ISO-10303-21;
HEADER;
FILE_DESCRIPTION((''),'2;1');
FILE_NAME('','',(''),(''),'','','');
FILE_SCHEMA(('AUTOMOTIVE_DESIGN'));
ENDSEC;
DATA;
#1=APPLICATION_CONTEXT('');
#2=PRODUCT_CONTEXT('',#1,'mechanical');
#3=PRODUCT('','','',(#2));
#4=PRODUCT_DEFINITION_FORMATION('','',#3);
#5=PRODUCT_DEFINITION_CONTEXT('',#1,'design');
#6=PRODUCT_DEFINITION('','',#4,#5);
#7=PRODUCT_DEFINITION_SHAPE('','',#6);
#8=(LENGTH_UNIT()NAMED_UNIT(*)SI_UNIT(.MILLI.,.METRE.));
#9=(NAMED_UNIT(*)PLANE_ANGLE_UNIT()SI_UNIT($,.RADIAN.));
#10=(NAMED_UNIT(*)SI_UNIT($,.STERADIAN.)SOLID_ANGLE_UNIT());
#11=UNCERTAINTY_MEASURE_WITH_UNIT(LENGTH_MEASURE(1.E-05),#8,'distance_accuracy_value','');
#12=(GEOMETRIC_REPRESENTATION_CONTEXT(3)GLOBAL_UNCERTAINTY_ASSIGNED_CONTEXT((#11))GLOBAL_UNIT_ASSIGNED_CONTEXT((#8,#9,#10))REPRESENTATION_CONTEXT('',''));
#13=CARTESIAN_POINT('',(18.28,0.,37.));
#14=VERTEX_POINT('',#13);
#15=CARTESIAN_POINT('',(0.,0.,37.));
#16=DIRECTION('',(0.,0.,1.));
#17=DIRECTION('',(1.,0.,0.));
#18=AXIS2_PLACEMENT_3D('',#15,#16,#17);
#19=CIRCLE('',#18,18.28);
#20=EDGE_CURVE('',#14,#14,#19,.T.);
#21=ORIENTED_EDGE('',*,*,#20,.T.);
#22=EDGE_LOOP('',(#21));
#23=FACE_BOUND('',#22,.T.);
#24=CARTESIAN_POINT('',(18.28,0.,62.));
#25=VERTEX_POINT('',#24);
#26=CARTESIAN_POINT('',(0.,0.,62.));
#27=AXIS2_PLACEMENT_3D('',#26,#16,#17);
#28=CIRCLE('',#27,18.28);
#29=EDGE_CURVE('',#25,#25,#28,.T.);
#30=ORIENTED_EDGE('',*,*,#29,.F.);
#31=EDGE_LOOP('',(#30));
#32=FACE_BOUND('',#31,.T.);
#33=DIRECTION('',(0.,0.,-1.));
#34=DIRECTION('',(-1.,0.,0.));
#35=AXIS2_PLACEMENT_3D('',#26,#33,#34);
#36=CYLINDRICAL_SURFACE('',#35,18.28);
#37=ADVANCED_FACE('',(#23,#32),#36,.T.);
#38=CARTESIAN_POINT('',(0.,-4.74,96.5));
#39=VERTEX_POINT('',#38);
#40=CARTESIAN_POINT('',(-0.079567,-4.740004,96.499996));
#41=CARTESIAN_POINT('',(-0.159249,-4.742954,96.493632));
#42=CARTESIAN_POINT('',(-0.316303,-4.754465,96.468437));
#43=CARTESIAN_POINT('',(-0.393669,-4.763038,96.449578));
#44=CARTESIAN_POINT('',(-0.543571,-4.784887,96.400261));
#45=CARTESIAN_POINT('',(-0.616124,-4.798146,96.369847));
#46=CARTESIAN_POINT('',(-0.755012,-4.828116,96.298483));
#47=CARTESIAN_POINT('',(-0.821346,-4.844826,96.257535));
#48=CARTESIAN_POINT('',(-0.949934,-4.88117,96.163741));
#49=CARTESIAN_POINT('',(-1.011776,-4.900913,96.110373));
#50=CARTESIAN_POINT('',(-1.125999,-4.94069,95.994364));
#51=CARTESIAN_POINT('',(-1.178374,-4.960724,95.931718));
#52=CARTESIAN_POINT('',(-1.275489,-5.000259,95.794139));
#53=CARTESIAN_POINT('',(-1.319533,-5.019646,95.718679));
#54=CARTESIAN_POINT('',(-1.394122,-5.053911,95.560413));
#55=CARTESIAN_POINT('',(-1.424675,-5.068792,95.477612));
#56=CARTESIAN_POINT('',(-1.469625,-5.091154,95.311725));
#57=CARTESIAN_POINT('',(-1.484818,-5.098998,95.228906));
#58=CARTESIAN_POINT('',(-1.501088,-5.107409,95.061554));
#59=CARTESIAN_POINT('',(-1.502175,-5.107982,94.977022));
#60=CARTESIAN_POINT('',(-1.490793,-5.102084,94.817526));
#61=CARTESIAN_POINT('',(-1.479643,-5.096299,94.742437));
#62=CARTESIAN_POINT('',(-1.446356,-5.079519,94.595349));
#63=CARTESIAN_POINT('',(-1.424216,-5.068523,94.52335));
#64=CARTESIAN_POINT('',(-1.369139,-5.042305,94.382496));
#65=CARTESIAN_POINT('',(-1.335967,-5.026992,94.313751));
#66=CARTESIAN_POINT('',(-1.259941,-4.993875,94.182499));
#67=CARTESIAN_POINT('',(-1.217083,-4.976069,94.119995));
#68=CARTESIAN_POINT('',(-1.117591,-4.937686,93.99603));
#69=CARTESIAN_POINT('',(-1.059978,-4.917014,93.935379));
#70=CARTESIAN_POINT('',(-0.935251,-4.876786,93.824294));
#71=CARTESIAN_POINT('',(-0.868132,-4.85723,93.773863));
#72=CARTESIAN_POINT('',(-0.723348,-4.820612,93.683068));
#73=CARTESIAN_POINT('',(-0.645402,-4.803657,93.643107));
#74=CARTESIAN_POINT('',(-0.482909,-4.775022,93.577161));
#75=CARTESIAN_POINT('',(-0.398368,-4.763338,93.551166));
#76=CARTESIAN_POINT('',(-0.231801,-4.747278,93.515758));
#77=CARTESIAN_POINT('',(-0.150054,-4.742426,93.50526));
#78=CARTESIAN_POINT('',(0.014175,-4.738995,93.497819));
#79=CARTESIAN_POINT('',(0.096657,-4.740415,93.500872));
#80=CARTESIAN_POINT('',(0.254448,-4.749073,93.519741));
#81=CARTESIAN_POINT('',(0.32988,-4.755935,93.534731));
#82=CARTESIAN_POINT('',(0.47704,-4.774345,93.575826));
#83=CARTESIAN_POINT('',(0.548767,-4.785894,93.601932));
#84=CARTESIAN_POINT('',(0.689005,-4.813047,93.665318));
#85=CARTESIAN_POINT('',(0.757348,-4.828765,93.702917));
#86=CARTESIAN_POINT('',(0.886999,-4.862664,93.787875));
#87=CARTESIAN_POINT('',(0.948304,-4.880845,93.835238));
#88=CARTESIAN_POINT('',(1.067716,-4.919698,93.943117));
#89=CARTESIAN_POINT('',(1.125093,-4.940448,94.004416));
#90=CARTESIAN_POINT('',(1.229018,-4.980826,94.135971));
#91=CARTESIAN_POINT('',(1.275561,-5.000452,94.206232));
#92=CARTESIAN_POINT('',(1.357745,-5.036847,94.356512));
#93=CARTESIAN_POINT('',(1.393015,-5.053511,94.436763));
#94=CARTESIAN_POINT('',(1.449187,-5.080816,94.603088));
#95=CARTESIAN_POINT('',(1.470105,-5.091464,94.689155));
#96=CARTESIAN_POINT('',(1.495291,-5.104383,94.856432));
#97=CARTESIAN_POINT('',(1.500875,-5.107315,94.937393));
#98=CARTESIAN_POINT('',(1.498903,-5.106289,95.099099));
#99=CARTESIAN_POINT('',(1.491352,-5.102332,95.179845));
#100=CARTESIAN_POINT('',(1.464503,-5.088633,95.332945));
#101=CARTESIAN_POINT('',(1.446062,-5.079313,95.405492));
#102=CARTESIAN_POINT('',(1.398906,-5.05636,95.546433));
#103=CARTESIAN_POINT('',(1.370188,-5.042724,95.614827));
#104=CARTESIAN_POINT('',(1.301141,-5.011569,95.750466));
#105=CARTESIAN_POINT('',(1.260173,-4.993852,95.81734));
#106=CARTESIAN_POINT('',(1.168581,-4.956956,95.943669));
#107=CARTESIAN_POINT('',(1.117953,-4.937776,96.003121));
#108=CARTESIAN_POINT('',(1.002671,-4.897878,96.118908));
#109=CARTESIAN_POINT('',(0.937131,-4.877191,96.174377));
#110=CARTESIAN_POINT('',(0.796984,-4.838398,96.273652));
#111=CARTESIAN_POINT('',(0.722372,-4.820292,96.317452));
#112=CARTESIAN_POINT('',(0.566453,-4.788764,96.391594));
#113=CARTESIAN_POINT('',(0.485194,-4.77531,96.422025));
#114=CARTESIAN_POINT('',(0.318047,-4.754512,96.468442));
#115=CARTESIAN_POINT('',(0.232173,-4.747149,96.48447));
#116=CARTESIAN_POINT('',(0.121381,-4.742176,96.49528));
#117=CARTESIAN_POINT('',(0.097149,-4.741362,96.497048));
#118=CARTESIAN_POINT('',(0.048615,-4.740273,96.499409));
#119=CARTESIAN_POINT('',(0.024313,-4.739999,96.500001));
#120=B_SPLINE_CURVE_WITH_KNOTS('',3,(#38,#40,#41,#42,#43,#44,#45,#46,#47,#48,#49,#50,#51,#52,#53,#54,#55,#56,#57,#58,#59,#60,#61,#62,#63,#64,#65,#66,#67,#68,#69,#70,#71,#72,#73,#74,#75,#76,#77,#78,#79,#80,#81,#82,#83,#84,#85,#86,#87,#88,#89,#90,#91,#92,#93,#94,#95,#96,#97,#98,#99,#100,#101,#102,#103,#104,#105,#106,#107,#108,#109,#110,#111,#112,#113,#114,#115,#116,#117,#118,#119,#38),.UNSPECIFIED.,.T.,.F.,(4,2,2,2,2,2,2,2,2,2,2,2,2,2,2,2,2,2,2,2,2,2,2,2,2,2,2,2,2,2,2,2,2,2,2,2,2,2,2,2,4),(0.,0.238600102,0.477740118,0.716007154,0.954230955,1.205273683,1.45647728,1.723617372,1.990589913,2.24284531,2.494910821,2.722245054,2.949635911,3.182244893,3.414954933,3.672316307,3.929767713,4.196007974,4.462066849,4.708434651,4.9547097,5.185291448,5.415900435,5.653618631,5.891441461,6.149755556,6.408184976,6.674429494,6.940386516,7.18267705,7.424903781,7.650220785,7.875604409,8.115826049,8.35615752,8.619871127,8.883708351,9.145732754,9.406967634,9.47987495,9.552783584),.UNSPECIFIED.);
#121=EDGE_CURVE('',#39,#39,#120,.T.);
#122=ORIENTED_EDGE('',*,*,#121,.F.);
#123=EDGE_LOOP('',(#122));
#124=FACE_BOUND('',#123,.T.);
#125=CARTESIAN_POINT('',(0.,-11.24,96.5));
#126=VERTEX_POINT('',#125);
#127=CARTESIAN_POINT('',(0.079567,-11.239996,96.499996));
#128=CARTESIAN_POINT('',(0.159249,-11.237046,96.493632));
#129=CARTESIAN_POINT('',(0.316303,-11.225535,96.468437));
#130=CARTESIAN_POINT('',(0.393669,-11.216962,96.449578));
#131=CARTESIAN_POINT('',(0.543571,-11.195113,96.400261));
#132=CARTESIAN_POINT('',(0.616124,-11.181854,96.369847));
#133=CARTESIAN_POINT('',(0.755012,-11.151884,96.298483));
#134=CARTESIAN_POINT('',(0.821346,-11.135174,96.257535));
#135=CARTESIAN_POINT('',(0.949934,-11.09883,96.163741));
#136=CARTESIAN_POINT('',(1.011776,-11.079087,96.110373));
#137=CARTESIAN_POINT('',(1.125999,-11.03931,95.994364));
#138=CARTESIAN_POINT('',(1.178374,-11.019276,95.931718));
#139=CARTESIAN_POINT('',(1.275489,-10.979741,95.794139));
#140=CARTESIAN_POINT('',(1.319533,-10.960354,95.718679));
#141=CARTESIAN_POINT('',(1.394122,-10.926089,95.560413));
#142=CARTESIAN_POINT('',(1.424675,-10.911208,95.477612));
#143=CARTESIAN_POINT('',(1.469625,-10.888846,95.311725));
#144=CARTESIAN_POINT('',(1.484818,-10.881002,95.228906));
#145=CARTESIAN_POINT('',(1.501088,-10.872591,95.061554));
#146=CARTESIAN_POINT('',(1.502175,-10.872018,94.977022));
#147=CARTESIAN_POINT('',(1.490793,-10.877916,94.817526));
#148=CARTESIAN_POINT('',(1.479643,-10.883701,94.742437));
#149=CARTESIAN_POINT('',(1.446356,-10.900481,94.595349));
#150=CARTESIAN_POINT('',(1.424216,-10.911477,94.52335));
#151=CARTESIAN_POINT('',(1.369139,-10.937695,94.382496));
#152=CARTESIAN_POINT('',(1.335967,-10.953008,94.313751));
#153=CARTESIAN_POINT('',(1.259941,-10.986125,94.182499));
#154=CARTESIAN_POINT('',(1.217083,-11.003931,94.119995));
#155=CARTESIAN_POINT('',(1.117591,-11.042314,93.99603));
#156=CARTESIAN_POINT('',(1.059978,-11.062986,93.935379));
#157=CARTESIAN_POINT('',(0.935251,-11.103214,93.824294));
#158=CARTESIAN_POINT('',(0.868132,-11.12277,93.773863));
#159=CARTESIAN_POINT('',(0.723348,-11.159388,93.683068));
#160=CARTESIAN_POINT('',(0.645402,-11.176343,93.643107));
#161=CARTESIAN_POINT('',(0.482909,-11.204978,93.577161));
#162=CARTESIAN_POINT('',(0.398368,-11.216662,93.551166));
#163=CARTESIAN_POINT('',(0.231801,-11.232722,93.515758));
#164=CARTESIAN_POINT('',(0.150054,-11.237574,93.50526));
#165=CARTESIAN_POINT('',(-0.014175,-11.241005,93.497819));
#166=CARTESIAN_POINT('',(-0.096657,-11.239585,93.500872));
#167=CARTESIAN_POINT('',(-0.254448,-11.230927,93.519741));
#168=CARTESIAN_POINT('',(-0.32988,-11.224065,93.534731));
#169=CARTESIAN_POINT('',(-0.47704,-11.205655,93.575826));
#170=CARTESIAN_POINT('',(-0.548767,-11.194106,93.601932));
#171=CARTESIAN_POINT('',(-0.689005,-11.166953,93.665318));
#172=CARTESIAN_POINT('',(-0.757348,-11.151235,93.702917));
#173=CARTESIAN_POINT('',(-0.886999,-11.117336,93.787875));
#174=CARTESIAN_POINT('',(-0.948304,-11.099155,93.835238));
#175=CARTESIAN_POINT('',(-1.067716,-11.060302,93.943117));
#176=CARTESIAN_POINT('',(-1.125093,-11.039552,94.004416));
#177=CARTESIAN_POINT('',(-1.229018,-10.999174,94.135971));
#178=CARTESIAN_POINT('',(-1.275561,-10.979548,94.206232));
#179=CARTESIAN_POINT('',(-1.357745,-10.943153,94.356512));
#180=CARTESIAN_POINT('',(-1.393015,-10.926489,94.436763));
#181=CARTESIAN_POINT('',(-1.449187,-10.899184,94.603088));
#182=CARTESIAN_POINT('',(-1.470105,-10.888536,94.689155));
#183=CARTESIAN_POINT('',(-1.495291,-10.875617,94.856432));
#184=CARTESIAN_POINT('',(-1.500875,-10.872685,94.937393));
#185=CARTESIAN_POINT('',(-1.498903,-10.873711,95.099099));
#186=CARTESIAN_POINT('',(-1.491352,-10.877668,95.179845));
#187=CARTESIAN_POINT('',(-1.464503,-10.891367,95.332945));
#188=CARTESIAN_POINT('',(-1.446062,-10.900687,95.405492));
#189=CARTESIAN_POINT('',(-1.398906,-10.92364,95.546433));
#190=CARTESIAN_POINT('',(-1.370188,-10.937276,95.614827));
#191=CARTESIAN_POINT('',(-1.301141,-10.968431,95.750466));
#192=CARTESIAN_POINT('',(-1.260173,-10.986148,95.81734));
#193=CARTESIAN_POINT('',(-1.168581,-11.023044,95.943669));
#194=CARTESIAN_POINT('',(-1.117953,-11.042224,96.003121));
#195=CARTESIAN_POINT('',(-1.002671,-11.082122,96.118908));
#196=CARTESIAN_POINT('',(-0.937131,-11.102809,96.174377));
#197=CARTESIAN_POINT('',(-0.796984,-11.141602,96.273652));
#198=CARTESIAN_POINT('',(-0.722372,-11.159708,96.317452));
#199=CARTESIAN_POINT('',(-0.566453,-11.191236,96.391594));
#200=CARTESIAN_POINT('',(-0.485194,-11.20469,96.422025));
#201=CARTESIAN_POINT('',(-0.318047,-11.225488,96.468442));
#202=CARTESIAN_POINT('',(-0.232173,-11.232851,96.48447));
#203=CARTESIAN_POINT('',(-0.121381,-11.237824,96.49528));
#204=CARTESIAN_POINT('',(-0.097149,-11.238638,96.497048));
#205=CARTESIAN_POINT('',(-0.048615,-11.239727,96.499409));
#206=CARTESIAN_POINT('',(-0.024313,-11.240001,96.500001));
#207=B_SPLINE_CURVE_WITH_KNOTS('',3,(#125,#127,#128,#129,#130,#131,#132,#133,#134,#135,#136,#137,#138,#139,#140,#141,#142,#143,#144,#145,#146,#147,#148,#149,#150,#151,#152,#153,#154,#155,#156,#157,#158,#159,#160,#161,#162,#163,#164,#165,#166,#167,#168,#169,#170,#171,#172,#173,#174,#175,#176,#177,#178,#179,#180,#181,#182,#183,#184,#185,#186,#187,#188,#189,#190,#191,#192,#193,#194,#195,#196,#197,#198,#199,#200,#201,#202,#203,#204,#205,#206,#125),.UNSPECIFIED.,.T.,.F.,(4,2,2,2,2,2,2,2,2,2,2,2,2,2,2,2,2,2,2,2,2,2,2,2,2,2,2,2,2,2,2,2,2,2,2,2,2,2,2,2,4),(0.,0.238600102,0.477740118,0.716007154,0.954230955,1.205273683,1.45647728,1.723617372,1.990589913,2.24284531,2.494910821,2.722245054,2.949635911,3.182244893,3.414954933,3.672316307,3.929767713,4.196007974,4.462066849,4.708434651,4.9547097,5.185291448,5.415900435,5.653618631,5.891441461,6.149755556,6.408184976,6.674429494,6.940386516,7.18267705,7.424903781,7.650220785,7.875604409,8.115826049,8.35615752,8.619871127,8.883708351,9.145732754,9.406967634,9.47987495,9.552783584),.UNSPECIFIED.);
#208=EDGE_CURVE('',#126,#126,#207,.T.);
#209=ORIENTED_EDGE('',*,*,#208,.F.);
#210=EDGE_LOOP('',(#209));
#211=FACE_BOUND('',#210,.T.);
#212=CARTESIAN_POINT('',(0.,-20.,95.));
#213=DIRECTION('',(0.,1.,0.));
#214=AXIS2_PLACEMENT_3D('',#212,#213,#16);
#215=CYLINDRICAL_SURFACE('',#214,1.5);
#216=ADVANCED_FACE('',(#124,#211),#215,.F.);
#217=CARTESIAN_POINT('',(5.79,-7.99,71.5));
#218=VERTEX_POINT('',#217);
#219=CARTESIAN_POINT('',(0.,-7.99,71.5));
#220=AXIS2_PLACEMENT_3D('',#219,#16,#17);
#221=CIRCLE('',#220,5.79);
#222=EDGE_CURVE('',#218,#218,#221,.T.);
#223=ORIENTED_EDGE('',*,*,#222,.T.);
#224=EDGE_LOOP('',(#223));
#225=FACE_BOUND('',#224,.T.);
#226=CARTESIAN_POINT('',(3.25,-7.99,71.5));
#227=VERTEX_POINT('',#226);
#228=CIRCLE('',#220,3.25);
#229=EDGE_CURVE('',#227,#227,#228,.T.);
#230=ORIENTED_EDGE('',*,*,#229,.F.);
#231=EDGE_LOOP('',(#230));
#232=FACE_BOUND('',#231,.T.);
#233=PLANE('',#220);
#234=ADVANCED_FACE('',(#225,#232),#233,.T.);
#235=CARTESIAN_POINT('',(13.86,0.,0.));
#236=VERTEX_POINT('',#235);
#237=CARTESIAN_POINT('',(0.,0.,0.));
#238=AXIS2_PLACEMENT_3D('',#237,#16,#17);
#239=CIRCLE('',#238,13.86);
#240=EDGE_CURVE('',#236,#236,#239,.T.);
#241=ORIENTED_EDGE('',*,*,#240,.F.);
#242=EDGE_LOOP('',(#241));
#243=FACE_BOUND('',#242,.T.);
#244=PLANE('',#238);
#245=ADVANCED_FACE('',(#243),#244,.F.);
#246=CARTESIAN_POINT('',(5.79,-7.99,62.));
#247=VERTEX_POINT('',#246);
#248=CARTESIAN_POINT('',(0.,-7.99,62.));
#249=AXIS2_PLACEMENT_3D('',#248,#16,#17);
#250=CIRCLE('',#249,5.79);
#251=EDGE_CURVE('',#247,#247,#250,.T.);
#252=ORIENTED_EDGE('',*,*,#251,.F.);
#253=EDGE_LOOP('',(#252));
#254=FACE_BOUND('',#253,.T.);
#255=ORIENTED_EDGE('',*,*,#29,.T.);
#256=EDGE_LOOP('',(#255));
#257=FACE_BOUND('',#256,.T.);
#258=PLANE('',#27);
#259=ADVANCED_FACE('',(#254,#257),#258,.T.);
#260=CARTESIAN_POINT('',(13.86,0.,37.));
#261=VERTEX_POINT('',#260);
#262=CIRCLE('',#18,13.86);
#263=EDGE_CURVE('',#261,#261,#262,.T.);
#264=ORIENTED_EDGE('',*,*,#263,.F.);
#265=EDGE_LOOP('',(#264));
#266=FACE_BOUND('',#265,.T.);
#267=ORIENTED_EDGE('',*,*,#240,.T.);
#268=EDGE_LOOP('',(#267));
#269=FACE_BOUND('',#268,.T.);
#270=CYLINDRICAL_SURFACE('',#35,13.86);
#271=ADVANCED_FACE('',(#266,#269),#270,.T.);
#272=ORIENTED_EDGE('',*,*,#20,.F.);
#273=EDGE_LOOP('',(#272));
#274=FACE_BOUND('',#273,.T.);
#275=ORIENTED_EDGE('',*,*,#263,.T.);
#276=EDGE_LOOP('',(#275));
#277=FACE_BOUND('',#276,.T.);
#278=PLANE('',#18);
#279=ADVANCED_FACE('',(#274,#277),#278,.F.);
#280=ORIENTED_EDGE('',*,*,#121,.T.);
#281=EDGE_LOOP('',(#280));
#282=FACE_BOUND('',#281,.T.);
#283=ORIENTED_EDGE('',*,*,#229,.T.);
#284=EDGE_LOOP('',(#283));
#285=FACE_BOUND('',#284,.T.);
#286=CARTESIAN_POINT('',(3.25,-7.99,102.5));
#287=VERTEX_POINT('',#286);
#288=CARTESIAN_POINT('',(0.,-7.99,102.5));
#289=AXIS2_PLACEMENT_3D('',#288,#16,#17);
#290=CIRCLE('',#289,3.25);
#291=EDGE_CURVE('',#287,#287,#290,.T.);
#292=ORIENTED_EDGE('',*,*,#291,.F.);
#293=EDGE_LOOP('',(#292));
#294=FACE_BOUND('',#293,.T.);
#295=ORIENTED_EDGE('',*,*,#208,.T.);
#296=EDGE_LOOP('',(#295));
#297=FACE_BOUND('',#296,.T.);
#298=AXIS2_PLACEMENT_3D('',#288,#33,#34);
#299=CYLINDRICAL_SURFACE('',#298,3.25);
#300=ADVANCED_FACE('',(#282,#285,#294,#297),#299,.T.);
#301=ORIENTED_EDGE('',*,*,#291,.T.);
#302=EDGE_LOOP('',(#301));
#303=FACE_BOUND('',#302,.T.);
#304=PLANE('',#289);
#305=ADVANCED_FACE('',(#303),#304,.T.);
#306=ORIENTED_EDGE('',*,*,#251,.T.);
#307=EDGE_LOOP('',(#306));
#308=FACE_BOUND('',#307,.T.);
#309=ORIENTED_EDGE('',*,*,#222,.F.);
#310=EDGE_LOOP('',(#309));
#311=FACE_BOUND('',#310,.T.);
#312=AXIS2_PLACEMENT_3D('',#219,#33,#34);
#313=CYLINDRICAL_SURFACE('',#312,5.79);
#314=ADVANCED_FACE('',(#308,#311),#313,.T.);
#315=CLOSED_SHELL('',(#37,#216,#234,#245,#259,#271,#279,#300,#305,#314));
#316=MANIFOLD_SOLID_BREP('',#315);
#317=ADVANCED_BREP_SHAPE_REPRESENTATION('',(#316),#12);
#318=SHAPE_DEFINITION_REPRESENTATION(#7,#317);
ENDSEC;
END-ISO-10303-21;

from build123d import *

# Parameters (mm, degrees)
SKETCH6_R           = 13.86
BOSS_EXTRUDE4_DEPTH = 62
SKETCH7_R           = 18.28
BOSS_EXTRUDE5_DEPTH = 25
SKETCH8_R           = 5.79
BOSS_EXTRUDE6_DEPTH = 9.5
SKETCH9_R           = 3.25
BOSS_EXTRUDE7_DEPTH = 31
SKETCH13_R          = 1.5
CUT_EXTRUDE1_DEPTH  = 20


with BuildPart() as part:
    # Sketch6 → Boss-Extrude4 (new body)
    with BuildSketch(Plane.XY):
        Circle(SKETCH6_R)
    extrude(amount=BOSS_EXTRUDE4_DEPTH)

    # Sketch7 → Boss-Extrude5 (add)
    with BuildSketch(Plane.XY.offset(37)):
        Circle(SKETCH7_R)
    extrude(amount=BOSS_EXTRUDE5_DEPTH)

    # Sketch8 → Boss-Extrude6 (add)
    with BuildSketch(Plane.XY.offset(62)):
        with Locations((0, -7.99)):
            Circle(SKETCH8_R)
    extrude(amount=BOSS_EXTRUDE6_DEPTH)

    # Sketch9 → Boss-Extrude7 (add)
    with BuildSketch(Plane.XY.offset(71.5)):
        with Locations((0, -7.99)):
            Circle(SKETCH9_R)
    extrude(amount=BOSS_EXTRUDE7_DEPTH)

    # Sketch13 → Cut-Extrude1 (cut)
    with BuildSketch(Plane(origin=(0, 0, 0), x_dir=(1, 0, 0), z_dir=(0, 1, 0))):
        with Locations((0, -95)):
            Circle(SKETCH13_R)
    extrude(amount=-CUT_EXTRUDE1_DEPTH, mode=Mode.SUBTRACT)


solid = part.part
